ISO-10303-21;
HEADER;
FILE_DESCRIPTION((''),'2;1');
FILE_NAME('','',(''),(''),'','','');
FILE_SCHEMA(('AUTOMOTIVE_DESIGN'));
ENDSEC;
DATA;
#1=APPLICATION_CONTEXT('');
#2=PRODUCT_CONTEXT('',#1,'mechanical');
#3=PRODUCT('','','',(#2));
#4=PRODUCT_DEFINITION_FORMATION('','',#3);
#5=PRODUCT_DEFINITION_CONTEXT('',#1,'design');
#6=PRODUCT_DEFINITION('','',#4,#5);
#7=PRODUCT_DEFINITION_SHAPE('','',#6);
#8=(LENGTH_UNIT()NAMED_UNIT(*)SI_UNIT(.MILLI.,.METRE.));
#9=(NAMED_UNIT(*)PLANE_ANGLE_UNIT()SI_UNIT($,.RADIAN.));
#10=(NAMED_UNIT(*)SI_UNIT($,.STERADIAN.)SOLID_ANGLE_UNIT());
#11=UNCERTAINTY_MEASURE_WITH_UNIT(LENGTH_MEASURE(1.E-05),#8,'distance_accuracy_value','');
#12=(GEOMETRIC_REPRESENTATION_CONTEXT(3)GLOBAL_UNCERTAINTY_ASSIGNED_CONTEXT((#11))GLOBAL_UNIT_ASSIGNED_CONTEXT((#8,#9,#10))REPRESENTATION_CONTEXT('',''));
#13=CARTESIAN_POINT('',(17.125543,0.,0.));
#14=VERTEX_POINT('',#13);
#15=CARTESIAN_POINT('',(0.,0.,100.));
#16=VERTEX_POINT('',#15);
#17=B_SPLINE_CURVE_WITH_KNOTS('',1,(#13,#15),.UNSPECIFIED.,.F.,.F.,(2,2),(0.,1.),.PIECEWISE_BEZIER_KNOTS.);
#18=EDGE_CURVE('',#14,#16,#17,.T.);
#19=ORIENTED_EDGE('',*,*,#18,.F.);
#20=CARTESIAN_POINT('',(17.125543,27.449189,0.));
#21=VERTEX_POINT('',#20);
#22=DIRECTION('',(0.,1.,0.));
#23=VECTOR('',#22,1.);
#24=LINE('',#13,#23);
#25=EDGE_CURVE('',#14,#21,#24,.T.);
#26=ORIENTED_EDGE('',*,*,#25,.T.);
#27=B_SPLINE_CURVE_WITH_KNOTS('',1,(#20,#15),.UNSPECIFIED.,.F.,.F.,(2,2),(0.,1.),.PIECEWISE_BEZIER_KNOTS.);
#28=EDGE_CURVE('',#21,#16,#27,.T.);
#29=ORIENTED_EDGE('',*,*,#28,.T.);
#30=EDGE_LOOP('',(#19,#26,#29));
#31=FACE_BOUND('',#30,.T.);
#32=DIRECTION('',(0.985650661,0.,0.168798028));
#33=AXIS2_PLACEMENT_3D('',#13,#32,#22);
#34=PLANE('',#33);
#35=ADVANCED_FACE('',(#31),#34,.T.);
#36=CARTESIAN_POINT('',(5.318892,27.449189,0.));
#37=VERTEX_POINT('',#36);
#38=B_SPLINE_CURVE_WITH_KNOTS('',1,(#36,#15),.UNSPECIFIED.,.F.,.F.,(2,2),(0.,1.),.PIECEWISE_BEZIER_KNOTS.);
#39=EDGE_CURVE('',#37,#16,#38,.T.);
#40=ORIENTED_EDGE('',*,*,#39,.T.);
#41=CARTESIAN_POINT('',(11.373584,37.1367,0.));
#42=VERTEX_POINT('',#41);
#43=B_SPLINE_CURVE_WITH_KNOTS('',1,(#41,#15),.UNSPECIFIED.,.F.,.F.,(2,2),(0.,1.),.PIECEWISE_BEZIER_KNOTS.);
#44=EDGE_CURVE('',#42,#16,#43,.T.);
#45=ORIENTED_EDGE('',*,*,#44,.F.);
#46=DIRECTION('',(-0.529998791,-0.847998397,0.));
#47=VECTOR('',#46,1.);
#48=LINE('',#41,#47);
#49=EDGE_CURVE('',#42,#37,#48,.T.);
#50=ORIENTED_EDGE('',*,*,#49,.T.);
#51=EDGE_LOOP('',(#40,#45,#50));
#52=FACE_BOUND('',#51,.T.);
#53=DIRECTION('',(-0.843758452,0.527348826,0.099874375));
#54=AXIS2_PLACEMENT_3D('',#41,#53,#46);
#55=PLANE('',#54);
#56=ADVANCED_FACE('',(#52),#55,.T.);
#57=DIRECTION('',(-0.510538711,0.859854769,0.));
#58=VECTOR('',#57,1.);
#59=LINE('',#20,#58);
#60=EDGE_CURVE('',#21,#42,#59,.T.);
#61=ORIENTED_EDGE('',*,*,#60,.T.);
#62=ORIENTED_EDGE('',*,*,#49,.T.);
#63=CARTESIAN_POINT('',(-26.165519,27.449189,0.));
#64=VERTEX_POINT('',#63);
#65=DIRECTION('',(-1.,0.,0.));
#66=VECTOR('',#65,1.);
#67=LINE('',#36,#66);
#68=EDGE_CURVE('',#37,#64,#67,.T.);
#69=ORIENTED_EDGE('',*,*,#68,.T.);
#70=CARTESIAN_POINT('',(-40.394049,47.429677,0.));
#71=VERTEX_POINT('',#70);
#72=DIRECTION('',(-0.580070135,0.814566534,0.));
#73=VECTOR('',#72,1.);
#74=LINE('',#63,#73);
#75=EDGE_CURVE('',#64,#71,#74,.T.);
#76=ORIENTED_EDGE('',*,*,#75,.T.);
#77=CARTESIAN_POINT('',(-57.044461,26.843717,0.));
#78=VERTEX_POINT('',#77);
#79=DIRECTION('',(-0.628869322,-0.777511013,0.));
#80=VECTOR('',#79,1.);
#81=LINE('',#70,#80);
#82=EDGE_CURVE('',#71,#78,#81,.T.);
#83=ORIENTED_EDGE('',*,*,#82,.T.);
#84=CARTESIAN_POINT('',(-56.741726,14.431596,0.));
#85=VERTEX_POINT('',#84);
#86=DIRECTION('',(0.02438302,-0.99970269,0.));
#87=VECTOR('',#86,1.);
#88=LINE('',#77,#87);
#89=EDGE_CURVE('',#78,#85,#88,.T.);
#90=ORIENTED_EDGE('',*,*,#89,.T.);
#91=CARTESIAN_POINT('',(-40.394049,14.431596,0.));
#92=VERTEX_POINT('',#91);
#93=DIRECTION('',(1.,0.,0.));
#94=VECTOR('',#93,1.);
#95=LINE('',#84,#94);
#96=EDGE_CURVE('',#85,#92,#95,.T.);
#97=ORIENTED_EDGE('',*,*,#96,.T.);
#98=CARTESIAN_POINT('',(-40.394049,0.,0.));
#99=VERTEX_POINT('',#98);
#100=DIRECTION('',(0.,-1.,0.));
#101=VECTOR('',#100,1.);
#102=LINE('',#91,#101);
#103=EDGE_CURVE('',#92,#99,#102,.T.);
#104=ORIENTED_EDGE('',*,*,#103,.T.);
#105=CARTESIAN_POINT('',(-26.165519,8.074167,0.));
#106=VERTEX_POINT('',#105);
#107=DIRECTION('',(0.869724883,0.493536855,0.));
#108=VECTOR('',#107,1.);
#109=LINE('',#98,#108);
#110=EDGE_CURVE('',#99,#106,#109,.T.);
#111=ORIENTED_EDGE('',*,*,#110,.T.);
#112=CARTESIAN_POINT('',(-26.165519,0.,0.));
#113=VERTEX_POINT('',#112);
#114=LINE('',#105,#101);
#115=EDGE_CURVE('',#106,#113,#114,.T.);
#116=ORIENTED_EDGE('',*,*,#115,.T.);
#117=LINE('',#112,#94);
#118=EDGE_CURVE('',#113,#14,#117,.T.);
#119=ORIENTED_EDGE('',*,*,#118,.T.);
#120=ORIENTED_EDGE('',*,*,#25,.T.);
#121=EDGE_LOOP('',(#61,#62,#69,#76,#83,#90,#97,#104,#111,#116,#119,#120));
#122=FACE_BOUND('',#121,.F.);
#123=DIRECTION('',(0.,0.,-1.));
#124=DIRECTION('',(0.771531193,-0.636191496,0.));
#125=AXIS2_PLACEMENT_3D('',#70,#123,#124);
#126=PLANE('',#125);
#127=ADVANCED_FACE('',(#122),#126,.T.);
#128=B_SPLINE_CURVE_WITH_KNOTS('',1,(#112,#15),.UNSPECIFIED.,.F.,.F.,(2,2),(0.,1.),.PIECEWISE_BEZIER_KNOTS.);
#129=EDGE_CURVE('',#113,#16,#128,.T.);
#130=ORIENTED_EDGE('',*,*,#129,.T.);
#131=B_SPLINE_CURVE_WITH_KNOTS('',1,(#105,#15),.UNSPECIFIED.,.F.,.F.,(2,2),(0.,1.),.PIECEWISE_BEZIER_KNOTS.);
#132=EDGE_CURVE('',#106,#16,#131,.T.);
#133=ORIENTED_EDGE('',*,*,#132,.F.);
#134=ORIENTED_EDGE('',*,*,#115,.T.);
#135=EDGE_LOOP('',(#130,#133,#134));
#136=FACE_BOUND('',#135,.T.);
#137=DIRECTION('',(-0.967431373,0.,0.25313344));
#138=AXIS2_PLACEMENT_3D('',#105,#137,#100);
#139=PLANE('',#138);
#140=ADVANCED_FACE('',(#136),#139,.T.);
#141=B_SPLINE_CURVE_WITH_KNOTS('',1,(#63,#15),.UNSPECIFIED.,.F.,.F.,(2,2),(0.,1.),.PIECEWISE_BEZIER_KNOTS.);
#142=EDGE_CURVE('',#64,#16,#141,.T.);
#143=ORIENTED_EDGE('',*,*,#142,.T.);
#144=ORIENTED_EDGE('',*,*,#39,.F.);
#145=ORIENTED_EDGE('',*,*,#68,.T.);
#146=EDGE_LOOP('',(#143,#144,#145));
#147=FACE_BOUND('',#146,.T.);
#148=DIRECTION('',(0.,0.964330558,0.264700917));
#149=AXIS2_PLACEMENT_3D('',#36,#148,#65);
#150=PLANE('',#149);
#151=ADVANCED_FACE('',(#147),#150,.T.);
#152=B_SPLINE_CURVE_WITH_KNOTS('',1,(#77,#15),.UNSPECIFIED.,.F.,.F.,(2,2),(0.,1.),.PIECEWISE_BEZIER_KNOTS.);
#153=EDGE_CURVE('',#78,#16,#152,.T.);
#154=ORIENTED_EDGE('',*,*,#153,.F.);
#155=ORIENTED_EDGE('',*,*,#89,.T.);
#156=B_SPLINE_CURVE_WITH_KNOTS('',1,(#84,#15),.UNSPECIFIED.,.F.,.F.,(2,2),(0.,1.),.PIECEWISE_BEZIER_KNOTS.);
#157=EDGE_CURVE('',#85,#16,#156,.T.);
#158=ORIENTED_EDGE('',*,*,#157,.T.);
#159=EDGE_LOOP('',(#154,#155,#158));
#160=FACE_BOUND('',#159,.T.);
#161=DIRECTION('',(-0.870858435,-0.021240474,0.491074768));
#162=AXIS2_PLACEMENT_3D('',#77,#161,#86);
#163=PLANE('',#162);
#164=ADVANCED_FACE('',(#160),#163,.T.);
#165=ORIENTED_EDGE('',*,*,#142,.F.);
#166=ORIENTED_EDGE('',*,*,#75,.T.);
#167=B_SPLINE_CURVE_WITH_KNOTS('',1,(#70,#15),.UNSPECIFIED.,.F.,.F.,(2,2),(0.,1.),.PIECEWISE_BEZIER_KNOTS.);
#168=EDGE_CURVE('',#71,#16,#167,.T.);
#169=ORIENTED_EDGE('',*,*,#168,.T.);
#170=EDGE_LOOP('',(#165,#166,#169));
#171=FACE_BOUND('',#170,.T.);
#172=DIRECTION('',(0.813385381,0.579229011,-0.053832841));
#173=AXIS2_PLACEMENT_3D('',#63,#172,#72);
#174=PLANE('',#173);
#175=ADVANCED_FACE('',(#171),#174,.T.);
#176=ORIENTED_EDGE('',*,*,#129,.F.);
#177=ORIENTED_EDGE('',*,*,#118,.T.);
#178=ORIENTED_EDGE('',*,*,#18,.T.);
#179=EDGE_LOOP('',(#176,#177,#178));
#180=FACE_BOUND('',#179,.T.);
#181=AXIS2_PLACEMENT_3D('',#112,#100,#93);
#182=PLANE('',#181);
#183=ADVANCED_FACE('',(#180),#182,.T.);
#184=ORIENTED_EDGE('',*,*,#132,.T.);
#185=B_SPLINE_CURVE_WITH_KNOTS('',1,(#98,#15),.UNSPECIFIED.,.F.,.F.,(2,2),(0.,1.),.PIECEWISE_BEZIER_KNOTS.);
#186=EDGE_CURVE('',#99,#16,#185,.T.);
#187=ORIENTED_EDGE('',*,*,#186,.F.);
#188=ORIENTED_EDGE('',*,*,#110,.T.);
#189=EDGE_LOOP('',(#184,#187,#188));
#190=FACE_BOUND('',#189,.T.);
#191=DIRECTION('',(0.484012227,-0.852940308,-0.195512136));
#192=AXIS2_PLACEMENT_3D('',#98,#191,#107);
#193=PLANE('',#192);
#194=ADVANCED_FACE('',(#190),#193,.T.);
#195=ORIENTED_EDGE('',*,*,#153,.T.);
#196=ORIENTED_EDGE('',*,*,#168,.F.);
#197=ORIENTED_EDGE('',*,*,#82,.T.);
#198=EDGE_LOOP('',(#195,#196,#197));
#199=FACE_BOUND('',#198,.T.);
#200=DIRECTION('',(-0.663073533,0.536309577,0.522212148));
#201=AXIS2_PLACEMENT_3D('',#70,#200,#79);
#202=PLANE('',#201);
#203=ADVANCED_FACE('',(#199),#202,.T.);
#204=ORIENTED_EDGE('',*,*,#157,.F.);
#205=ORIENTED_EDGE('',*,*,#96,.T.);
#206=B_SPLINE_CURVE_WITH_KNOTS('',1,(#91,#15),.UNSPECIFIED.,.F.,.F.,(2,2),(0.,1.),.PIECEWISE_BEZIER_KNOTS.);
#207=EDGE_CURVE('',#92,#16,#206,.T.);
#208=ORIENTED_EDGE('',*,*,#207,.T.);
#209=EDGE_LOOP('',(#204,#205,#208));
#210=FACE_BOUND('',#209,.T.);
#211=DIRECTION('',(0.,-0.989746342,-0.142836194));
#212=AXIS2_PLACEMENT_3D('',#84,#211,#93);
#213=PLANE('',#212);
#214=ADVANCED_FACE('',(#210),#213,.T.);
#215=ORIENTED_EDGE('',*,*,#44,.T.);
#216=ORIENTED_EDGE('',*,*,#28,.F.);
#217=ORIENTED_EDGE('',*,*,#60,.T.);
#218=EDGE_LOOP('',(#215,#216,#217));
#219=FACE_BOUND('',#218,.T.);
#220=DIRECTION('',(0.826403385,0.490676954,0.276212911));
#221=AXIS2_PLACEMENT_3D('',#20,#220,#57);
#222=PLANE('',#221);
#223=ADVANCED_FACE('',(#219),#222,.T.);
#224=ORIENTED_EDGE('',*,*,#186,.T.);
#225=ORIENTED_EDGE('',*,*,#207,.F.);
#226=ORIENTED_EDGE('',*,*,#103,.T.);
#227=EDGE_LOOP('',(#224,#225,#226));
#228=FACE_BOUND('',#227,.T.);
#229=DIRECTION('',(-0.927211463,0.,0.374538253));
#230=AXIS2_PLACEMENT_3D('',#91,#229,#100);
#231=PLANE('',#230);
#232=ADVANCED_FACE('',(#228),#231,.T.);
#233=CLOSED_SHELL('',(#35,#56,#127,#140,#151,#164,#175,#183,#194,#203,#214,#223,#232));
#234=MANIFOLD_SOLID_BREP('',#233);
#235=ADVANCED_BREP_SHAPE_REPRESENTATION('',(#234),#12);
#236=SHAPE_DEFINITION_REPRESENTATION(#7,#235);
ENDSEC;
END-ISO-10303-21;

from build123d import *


with BuildPart() as f3:
    # F0 (on Top) → F3 section 0
    with BuildSketch(Plane.XY, mode=Mode.PRIVATE) as f3_s0:
        Polygon((-40.394049, 47.429677), (-57.044461, 26.843717), (-56.741726, 14.431596), (-40.394049, 14.431596), (-40.394049, 0), (-26.165519, 8.074167), (-26.165519, 0), (17.125543, 0), (17.125543, 27.449189), (11.373584, 37.1367), (5.318892, 27.449189), (-26.165519, 27.449189), align=None)
    loft([f3_s0.sketch, Vertex(0, 0, 100)])


solid = f3.part
